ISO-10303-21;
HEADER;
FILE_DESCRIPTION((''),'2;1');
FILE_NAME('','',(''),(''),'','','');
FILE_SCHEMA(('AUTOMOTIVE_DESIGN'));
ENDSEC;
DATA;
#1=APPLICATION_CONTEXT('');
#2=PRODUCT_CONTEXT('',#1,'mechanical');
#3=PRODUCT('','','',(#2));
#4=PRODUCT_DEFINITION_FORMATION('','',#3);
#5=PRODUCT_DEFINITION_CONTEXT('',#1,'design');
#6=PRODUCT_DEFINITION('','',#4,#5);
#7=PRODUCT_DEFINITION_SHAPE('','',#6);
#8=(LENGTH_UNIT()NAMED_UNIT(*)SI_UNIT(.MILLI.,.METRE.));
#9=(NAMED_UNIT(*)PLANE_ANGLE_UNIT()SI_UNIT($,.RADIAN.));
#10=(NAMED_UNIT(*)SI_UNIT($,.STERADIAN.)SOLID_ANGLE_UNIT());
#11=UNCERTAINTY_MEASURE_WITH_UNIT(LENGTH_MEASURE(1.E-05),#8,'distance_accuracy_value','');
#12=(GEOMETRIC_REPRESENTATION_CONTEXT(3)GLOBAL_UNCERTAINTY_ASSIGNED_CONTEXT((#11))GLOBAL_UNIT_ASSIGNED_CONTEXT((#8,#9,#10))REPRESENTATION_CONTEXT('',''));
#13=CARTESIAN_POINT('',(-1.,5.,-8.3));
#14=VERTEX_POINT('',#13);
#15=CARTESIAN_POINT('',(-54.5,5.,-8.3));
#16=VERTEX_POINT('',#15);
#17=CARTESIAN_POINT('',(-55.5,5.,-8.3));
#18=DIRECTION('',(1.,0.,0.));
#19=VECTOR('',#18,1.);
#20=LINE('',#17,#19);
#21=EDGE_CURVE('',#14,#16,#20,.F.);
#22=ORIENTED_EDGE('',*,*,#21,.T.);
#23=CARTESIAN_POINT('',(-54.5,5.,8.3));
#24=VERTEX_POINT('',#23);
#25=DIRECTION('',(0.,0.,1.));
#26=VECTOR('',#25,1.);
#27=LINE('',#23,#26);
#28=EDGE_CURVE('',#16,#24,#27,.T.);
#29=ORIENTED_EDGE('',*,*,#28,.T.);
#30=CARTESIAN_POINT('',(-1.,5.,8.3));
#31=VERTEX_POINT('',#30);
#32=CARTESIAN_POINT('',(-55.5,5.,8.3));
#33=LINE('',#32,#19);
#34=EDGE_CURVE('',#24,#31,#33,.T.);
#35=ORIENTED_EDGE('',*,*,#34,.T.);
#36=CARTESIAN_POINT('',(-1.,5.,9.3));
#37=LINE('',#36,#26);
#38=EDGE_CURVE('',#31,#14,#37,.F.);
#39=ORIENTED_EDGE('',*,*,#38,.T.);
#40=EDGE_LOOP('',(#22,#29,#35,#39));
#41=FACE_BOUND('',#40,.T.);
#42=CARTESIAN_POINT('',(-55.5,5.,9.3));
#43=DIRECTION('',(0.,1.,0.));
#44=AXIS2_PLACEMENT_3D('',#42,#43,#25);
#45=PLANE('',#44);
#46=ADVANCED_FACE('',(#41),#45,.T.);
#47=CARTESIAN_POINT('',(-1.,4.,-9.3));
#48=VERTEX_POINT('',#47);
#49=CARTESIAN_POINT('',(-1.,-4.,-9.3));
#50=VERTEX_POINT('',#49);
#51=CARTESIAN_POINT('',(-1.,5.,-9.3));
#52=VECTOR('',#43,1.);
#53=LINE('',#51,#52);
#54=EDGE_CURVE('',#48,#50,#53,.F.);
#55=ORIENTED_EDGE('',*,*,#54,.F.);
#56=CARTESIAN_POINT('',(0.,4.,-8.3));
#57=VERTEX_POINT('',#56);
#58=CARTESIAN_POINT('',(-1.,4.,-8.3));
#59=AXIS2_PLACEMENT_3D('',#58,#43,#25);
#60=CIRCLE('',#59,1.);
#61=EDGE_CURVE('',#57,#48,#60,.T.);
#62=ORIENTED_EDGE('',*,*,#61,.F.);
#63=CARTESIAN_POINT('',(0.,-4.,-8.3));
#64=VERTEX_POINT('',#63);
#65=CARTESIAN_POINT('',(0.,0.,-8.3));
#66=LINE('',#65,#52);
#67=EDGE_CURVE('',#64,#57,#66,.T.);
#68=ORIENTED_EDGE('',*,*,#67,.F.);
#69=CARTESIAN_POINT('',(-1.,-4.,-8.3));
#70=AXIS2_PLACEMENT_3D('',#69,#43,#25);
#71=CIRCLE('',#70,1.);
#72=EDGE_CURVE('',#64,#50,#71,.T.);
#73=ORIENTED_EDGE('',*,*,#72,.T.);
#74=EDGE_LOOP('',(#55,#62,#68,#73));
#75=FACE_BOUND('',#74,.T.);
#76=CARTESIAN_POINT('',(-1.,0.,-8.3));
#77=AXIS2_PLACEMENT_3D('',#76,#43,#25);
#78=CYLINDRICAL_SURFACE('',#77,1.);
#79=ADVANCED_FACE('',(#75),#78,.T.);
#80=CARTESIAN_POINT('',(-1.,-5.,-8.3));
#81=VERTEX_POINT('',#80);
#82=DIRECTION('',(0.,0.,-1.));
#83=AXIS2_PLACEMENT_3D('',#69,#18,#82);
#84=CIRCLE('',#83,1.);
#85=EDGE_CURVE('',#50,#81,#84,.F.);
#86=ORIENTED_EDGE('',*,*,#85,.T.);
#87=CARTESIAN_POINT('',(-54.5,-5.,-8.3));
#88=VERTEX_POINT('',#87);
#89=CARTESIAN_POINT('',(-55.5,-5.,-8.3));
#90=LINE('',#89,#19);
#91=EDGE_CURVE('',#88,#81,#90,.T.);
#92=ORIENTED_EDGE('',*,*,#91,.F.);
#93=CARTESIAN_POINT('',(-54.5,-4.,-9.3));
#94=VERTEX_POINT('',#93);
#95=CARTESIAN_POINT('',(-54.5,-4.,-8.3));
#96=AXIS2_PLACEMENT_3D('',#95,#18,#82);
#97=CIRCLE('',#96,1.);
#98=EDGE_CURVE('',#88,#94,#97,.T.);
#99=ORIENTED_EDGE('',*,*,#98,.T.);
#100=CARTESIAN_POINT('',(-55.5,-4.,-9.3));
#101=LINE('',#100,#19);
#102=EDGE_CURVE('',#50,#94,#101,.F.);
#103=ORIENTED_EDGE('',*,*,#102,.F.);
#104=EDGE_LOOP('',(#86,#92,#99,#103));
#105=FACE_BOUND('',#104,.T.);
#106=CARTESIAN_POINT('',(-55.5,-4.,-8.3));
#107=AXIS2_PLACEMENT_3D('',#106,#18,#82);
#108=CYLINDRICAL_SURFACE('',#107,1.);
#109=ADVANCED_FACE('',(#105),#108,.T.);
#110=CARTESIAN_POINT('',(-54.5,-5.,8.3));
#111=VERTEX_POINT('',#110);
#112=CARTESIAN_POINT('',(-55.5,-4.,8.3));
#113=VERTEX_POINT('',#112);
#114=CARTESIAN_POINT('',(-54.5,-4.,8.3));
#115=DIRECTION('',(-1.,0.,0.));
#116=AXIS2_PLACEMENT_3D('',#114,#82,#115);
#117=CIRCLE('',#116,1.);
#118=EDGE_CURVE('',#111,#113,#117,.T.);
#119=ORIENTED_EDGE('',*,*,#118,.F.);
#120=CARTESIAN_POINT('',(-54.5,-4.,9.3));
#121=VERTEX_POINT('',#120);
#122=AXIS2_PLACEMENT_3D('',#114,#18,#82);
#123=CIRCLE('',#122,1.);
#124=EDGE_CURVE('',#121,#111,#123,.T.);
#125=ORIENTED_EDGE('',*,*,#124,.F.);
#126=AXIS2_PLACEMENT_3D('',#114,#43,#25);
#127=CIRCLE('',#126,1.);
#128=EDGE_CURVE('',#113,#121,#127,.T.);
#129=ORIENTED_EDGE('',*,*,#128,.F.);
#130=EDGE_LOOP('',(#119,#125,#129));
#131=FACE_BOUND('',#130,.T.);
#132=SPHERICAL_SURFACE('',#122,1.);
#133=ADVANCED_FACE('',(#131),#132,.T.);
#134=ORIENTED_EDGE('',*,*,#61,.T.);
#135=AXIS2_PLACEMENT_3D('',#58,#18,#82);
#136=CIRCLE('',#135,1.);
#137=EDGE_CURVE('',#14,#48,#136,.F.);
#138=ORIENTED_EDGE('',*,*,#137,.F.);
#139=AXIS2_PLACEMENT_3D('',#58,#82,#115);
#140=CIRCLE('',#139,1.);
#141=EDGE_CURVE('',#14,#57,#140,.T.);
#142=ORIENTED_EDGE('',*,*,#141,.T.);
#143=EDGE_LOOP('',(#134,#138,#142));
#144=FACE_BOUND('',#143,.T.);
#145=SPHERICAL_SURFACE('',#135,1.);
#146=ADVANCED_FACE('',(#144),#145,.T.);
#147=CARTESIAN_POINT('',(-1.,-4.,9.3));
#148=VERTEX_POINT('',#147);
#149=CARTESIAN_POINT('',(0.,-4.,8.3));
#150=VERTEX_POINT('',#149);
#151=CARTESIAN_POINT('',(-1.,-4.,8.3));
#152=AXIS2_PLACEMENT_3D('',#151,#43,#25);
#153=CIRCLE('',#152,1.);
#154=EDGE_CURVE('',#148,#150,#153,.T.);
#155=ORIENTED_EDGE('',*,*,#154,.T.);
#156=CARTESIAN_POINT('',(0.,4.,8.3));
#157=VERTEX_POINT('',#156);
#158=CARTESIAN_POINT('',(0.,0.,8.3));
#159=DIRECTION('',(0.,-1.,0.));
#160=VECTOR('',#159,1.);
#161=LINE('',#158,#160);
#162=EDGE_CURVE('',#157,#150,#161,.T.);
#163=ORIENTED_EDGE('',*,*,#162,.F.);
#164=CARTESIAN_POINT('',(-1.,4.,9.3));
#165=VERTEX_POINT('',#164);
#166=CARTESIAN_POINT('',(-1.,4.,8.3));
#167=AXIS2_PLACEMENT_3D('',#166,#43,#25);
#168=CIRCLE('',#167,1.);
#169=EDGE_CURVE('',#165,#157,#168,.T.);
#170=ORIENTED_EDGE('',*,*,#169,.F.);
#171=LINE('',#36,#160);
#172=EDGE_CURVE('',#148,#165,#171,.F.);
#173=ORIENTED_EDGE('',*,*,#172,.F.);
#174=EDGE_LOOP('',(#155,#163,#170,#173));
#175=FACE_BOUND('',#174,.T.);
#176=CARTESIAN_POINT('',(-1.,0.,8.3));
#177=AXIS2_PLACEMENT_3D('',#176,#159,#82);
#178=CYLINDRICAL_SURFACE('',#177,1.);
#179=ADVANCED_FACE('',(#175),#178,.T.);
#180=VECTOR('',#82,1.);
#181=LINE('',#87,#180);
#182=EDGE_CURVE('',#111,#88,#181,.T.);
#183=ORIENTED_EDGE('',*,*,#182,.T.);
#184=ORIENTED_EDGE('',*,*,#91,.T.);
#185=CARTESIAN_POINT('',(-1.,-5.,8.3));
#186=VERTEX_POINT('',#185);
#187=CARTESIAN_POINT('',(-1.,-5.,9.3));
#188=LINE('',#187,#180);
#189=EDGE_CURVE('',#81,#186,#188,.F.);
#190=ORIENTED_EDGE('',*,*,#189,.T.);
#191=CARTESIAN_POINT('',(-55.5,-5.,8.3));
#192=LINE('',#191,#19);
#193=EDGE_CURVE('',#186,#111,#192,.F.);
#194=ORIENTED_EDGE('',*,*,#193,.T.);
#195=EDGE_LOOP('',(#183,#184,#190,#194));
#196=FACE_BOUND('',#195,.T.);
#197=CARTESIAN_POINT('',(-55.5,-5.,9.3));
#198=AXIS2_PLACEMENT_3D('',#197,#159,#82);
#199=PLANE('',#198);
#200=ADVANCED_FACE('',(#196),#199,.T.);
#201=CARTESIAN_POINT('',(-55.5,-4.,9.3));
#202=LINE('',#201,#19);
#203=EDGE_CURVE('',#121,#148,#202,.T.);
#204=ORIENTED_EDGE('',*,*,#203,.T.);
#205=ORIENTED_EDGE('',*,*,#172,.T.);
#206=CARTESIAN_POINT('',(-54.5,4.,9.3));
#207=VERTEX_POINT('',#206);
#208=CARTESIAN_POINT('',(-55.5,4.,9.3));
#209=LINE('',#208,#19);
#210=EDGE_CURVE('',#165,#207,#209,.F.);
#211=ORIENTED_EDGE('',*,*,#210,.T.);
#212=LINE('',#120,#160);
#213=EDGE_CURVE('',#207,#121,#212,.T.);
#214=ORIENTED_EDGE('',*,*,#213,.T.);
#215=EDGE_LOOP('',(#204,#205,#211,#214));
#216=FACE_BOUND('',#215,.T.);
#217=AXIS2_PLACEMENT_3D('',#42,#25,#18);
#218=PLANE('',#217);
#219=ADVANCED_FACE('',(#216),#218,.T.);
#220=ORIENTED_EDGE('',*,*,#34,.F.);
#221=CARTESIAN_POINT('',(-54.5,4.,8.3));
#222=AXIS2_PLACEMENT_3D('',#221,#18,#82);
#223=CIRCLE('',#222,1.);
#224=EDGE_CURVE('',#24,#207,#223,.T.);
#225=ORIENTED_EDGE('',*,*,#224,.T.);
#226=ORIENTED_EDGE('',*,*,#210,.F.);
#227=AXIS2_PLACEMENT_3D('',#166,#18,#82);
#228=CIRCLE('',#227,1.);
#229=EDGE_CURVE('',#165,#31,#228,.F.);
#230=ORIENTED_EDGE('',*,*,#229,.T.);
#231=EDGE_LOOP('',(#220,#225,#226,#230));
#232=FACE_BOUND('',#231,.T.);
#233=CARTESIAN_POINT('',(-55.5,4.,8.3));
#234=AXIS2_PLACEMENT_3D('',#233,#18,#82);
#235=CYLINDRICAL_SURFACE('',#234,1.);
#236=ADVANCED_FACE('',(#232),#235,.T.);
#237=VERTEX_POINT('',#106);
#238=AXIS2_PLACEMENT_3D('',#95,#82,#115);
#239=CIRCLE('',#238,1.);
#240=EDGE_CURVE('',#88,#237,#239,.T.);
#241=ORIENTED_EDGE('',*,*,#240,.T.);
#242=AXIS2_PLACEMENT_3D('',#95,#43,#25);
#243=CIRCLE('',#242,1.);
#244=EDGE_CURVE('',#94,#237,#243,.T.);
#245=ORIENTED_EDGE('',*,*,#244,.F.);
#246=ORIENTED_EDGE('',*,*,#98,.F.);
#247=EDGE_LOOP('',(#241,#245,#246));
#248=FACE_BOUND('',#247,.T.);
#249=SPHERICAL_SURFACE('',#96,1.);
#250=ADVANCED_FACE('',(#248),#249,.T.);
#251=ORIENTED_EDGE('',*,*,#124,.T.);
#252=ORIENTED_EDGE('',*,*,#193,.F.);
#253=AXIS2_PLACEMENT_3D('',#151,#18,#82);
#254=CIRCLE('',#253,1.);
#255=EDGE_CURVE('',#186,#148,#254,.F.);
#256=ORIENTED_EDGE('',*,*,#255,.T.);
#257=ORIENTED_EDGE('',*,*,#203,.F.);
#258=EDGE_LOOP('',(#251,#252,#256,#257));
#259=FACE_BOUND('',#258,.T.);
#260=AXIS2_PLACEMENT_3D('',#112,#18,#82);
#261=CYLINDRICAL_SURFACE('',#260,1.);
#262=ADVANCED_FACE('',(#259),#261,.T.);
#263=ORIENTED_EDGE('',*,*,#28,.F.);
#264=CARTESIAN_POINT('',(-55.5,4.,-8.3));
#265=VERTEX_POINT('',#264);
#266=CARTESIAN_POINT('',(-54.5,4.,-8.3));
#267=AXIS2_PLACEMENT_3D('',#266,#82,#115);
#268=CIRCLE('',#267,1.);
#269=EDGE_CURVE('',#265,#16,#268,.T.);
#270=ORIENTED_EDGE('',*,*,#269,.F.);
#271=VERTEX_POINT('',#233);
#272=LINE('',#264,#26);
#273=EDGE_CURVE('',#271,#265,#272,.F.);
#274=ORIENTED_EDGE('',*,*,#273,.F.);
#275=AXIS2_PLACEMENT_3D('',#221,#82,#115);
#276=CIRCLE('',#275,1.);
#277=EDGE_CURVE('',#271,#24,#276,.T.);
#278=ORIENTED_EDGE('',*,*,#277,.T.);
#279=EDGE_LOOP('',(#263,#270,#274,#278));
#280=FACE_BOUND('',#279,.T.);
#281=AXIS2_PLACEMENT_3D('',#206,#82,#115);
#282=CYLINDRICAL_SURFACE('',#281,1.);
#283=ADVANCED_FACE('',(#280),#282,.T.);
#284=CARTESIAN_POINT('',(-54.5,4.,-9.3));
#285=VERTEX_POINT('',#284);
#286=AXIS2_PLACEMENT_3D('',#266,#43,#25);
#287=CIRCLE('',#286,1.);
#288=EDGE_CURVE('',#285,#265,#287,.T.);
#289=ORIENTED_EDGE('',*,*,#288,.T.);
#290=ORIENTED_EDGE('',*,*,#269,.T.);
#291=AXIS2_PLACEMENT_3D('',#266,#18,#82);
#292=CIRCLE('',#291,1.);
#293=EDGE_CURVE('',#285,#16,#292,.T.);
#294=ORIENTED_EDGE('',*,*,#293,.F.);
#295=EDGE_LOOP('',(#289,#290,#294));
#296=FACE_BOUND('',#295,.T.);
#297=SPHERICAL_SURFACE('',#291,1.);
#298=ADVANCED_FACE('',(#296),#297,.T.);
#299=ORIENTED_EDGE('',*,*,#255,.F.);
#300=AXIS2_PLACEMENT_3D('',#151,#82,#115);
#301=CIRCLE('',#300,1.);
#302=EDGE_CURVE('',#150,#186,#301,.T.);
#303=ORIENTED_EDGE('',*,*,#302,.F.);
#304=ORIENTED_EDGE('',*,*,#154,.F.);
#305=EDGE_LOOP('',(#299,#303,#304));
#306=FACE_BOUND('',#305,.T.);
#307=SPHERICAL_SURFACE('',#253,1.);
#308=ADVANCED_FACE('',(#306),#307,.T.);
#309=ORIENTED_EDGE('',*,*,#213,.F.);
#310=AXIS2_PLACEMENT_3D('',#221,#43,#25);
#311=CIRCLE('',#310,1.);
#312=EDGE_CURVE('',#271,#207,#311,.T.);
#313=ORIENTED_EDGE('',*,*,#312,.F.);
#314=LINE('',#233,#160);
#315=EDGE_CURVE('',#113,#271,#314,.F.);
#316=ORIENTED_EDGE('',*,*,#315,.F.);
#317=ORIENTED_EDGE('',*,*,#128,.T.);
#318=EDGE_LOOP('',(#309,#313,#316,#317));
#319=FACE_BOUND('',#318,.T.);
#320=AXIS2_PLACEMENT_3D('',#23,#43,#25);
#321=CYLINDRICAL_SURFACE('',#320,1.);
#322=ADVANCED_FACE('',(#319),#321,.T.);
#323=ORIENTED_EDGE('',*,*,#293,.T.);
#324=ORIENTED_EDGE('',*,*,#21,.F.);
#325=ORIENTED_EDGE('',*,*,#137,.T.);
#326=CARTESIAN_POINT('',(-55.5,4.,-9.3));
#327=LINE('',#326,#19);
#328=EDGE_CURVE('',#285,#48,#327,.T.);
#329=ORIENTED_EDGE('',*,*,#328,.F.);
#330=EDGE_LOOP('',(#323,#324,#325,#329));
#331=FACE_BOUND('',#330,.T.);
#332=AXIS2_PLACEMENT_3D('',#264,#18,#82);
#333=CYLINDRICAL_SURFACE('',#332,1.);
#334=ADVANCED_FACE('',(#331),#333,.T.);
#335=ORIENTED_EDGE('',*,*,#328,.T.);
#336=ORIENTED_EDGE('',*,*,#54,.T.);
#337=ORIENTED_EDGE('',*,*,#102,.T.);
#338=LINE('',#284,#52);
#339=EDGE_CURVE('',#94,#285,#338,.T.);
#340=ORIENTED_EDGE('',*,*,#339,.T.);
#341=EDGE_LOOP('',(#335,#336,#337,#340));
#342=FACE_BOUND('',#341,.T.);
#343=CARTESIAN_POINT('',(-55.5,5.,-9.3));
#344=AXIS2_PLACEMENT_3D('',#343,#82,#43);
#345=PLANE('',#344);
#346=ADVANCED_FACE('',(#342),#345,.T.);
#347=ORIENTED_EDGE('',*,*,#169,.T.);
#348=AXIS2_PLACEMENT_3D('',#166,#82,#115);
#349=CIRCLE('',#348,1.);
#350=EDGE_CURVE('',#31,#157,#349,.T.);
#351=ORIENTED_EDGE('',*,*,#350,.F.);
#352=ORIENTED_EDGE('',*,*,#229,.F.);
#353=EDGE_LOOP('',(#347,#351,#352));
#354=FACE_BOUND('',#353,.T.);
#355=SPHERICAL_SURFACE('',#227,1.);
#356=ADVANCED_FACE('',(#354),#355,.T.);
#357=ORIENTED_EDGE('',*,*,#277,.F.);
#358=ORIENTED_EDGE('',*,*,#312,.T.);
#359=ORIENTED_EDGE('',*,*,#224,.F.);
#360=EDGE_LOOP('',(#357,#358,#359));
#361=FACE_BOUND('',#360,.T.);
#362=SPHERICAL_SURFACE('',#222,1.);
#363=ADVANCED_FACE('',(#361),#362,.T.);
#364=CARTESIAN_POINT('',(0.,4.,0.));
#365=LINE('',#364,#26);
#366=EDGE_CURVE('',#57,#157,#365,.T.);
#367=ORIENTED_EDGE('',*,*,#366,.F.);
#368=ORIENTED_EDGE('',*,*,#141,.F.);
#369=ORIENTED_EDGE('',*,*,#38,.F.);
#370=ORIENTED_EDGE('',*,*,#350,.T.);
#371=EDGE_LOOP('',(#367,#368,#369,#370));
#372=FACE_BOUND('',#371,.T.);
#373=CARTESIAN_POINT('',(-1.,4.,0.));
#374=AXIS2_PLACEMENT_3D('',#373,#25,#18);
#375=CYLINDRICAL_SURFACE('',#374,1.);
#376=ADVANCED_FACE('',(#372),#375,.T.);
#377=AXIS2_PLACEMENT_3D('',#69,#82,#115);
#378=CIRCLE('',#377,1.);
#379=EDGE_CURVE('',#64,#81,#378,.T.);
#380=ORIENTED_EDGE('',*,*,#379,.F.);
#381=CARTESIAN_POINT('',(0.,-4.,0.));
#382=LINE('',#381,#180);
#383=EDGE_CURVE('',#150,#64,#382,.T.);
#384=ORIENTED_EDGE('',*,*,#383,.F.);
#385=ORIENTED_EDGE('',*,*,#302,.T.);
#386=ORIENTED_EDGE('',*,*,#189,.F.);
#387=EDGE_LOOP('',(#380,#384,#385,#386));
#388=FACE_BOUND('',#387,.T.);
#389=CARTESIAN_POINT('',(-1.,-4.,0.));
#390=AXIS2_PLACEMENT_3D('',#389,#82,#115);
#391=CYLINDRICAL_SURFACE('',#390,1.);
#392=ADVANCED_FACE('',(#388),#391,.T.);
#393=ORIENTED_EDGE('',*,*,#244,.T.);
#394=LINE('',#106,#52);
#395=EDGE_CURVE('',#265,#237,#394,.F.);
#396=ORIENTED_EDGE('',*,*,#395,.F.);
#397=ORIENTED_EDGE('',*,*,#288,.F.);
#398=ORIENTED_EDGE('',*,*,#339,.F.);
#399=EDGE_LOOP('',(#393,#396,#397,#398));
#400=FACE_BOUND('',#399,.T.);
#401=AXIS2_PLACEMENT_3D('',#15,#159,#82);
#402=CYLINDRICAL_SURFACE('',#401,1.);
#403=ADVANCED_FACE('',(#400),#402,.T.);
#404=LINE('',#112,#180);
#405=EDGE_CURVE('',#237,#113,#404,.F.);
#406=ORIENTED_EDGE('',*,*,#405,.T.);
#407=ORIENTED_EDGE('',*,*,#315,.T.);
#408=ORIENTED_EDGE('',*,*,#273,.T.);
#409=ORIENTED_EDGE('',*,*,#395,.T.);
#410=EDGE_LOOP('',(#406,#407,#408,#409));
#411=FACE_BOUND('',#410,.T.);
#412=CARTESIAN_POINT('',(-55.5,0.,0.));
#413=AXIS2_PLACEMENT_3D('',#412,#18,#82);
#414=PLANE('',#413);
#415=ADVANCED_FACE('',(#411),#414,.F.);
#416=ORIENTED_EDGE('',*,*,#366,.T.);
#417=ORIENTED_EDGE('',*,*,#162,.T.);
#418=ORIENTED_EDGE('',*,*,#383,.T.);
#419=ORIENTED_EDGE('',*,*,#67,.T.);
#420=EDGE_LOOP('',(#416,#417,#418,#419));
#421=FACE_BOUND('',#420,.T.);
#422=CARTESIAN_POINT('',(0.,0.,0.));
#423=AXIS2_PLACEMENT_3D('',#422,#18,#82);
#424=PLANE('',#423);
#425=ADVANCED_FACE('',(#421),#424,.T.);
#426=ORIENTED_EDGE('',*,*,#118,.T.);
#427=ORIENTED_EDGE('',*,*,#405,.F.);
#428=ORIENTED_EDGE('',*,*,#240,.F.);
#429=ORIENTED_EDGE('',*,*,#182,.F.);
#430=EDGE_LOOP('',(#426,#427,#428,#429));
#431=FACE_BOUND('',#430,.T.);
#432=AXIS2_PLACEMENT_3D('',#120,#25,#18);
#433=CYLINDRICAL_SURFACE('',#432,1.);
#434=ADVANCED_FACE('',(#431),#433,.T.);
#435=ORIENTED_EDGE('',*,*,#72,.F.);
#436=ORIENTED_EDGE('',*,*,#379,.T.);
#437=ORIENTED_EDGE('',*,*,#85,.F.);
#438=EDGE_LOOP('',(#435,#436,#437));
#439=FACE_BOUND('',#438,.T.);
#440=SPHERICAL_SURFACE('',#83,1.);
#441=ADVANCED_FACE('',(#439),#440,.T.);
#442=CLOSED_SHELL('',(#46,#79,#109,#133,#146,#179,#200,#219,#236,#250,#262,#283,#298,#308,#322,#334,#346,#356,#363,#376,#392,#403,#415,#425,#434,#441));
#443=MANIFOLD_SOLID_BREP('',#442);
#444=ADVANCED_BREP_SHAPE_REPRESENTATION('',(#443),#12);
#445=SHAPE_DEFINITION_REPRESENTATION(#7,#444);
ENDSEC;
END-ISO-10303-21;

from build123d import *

# Parameters (mm, degrees)
SKETCH1_W           = 18.6
SKETCH1_H           = 10
BOSS_EXTRUDE1_DEPTH = 55.5
FILLET1_R           = 1
FILLET2_R           = 1


with BuildPart() as part:
    # Sketch1 → Boss-Extrude1 (new body)
    with BuildSketch(Plane(origin=(0, 0, 0), x_dir=(0, 0, -1), z_dir=(1, 0, 0))):
        Rectangle(SKETCH1_W, SKETCH1_H)
    extrude(amount=-BOSS_EXTRUDE1_DEPTH)

    # Fillet1
    fillet1_edges = [part.edges().sort_by_distance(p)[0] for p in [
        (-27.75, -5, -9.3),
        (-27.75, -5, 9.3),
        (-27.75, 5, 9.3),
        (-27.75, 5, -9.3),
    ]]
    fillet(fillet1_edges, radius=FILLET1_R)

    # Fillet2
    fillet2_edges = [part.edges().sort_by_distance(p)[0] for p in [
        (0, 0, -9.3),
        (-55.5, 0, -9.3),
        (0, 5, 0),
        (0, 0, 9.3),
        (0, -5, 0),
        (0, 4.707106781, 9.007106781),
        (0, -4.707106781, 9.007106781),
        (0, -4.707106781, -9.007106781),
        (0, 4.707106781, -9.007106781),
        (-55.5, 5, 0),
        (-55.5, -5, 0),
        (-55.5, 0, 9.3),
        (-55.5, 4.707106781, 9.007106781),
        (-55.5, -4.707106781, 9.007106781),
        (-55.5, -4.707106781, -9.007106781),
        (-55.5, 4.707106781, -9.007106781),
    ]]
    fillet(fillet2_edges, radius=FILLET2_R)


solid = part.part
